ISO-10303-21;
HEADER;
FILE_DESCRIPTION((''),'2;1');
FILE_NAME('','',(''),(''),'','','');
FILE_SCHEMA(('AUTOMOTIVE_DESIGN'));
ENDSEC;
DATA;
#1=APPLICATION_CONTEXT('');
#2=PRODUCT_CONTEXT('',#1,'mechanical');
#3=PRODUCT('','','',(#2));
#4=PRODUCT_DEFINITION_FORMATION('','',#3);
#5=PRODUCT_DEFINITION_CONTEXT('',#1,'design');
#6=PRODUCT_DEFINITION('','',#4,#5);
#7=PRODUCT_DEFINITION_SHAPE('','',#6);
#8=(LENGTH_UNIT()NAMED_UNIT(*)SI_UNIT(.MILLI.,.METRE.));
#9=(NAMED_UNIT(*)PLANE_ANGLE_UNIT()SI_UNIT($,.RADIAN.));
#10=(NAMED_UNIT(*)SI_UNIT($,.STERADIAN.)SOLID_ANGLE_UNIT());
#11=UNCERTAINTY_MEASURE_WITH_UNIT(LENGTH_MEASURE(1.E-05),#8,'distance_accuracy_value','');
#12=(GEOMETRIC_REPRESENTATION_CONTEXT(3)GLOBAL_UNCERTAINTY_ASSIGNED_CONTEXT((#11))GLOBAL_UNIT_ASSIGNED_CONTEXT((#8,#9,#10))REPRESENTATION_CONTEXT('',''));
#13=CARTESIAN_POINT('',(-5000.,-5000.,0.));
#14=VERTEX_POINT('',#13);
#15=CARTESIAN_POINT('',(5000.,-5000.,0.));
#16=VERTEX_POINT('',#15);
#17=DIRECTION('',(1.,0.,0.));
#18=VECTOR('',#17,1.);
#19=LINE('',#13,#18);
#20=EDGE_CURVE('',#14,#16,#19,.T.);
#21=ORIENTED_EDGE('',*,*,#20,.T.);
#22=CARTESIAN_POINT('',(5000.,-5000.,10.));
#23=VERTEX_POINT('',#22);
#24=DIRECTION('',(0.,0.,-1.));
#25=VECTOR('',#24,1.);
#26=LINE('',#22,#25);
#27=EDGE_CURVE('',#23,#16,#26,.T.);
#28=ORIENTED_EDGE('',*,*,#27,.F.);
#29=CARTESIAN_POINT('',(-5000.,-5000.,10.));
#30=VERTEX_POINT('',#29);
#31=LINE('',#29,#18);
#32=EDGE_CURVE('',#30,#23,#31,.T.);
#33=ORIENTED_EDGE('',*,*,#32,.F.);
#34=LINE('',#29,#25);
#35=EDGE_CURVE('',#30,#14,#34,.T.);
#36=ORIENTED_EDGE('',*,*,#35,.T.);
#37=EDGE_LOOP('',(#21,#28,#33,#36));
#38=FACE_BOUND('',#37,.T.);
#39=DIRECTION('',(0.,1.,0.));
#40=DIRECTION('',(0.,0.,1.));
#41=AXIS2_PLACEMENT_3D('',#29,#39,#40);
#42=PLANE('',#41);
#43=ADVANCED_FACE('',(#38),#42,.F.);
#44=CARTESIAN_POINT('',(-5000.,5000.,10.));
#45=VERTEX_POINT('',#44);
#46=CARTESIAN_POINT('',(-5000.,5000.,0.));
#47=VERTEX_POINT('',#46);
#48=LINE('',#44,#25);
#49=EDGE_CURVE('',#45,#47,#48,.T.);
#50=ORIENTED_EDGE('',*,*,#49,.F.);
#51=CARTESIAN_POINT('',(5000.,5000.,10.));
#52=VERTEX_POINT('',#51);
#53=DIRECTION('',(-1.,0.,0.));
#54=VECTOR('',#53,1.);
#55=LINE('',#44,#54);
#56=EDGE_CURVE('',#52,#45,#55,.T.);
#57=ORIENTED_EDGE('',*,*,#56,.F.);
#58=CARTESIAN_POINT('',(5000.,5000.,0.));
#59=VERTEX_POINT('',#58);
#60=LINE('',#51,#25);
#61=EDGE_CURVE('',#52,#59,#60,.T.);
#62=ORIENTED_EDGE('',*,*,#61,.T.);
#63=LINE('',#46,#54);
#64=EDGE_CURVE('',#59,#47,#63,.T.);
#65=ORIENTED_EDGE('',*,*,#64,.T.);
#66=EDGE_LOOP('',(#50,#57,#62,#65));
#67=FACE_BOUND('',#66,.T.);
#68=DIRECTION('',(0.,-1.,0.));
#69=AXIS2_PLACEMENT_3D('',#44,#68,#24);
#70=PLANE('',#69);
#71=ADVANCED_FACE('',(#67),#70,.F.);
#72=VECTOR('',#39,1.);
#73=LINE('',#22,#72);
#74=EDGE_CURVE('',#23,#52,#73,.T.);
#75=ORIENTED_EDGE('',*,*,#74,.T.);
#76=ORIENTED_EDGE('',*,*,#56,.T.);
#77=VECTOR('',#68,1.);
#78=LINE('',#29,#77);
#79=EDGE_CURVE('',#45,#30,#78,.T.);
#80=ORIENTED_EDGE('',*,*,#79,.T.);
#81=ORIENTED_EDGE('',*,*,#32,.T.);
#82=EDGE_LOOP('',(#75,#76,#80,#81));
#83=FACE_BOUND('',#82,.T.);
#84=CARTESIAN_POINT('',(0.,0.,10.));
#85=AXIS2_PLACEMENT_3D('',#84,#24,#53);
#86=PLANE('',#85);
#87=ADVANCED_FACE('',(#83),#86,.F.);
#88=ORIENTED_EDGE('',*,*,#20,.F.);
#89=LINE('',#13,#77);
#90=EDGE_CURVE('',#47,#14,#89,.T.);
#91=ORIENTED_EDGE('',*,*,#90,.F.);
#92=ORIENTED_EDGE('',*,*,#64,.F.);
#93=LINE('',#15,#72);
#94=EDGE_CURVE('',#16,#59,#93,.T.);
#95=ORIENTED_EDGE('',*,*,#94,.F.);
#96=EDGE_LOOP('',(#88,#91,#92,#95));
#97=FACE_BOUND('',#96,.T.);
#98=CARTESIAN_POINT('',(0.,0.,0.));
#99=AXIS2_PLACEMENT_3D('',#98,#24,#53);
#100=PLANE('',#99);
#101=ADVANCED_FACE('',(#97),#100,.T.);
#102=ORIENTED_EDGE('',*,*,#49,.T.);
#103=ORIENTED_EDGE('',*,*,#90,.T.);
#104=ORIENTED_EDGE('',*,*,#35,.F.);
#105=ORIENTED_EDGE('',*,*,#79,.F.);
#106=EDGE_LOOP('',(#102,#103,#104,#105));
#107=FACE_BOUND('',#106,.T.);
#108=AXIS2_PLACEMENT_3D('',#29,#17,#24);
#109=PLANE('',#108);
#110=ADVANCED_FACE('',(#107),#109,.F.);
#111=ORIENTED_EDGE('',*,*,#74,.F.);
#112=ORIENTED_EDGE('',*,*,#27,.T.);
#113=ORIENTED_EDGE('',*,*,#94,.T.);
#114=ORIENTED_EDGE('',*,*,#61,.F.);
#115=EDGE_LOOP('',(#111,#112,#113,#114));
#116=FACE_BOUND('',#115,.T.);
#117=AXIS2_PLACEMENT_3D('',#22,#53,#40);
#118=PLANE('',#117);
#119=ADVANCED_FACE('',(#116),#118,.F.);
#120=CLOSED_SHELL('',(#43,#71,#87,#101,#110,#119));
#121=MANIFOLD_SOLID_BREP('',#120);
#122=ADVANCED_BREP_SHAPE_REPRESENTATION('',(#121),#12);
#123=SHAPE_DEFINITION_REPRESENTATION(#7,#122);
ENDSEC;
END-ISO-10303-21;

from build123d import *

# Parameters (mm, degrees)
ESQUISSE1_W        = 10000
ESQUISSE1_H        = 10000
BOSS_EXTRU_1_DEPTH = 10


with BuildPart() as part:
    # Esquisse1 → Boss.-Extru.1 (new body)
    with BuildSketch(Plane.XY):
        Rectangle(ESQUISSE1_W, ESQUISSE1_H)
    extrude(amount=BOSS_EXTRU_1_DEPTH)


solid = part.part
